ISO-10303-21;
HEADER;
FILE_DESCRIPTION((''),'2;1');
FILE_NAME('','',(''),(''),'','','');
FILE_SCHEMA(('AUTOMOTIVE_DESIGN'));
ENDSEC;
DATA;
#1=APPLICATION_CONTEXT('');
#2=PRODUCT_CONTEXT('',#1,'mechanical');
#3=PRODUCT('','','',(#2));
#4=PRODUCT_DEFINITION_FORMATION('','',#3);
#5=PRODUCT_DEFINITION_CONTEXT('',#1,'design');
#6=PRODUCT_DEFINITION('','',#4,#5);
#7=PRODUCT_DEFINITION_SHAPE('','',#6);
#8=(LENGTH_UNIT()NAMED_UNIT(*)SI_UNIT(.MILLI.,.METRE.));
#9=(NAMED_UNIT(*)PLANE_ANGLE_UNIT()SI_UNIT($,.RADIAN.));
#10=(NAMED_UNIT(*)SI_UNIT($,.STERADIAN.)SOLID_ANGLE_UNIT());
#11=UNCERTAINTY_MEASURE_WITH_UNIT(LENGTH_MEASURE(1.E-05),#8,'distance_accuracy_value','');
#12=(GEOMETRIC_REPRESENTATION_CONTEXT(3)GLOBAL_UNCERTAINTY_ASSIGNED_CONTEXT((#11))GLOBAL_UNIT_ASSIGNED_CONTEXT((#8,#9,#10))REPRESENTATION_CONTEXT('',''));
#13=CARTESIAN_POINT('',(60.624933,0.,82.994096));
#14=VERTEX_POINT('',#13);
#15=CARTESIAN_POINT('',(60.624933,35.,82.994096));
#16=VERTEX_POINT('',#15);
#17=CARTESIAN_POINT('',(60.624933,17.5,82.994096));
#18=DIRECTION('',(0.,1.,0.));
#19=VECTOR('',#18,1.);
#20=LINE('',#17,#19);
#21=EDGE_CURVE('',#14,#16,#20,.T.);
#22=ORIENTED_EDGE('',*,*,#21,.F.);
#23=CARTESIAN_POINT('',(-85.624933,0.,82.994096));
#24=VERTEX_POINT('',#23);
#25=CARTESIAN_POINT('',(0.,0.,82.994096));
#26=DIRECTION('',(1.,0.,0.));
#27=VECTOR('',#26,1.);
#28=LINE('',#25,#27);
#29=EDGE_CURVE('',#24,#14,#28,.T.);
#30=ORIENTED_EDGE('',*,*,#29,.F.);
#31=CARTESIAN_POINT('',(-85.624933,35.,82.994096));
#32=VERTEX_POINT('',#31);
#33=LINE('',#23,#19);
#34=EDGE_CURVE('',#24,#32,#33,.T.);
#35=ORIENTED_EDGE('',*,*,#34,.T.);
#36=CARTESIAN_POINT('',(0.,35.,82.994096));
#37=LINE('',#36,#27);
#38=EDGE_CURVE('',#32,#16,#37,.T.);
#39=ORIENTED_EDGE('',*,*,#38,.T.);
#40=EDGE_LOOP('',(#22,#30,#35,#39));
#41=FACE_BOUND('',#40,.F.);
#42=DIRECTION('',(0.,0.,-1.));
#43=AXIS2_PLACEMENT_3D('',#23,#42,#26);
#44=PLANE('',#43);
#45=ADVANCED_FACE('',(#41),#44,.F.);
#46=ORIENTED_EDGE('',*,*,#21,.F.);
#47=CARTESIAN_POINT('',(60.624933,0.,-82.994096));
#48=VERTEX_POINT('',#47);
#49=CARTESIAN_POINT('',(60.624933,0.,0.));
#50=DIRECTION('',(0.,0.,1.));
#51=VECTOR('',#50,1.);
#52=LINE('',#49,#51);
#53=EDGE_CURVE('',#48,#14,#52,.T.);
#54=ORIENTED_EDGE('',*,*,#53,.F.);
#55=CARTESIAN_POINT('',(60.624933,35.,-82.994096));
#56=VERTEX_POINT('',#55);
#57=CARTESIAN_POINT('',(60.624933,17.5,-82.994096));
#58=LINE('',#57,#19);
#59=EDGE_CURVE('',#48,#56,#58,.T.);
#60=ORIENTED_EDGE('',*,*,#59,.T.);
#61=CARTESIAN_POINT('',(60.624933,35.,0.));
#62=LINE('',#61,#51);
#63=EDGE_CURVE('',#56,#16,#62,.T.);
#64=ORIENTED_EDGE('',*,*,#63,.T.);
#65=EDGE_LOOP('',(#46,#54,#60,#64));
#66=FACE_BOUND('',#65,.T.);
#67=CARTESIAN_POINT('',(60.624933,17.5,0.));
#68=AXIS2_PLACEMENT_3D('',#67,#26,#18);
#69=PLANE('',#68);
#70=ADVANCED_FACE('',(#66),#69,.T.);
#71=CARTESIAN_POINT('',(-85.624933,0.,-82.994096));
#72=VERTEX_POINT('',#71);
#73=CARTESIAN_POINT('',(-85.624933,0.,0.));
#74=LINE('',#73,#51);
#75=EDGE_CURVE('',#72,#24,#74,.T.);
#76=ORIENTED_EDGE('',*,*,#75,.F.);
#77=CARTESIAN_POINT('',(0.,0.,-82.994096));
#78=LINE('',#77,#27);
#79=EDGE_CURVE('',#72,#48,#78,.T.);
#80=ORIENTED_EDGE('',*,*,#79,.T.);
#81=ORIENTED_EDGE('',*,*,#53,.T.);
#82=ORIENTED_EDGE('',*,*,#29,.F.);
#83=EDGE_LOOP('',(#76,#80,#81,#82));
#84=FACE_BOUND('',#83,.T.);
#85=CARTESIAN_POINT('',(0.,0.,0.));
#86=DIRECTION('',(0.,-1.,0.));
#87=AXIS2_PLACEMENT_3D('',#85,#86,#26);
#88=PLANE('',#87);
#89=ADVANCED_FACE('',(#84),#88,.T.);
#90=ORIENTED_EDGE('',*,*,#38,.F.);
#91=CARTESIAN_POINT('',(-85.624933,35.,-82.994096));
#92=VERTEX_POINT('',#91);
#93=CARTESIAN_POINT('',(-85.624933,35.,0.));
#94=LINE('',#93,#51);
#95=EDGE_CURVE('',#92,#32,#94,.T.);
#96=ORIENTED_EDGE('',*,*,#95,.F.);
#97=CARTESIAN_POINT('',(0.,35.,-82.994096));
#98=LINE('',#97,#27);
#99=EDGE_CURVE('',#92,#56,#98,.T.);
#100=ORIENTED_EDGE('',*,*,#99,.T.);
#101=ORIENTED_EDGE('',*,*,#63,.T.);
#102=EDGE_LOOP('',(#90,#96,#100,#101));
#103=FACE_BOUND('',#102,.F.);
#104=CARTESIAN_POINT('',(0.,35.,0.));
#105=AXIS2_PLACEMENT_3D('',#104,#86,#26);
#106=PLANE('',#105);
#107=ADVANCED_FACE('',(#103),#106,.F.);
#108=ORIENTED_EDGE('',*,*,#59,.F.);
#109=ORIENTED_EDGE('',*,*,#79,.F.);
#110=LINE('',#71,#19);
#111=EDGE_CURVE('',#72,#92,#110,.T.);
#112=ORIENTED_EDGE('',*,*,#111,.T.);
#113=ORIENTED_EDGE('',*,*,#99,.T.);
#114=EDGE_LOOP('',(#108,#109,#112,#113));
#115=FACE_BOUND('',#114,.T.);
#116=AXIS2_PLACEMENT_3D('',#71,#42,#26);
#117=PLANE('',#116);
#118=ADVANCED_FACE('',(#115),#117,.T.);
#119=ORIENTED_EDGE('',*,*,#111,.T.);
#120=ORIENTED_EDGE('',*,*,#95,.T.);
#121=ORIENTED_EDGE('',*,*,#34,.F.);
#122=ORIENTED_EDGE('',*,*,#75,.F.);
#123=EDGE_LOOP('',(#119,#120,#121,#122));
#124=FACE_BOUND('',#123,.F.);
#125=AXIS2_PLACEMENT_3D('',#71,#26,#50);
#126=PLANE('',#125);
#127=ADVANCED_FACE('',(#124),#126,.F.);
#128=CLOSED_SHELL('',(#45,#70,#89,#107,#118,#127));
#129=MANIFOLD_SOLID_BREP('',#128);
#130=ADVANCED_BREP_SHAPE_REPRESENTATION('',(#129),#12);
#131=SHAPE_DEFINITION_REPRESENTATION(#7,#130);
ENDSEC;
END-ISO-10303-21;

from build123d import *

# Parameters (mm, degrees)
F0_W      = 171.249866
F0_H      = 165.988192
F1_DEPTH  = 35
F1_FACE_W = 35
F1_FACE_H = 165.988192
F2_DEPTH  = 25


with BuildPart() as f1:
    # F0 (on Front) → F1 (new body)
    with BuildSketch(Plane.XZ):
        Rectangle(F0_W, F0_H)
    extrude(amount=-F1_DEPTH)

    # F1_face (on face) → F2 (cut)
    with BuildSketch(Plane(origin=(85.624933, 17.5, 0), x_dir=(0, 1, 0), z_dir=(1, 0, 0))):
        Rectangle(F1_FACE_W, F1_FACE_H)
    extrude(amount=-F2_DEPTH, mode=Mode.SUBTRACT)


solid = f1.part
